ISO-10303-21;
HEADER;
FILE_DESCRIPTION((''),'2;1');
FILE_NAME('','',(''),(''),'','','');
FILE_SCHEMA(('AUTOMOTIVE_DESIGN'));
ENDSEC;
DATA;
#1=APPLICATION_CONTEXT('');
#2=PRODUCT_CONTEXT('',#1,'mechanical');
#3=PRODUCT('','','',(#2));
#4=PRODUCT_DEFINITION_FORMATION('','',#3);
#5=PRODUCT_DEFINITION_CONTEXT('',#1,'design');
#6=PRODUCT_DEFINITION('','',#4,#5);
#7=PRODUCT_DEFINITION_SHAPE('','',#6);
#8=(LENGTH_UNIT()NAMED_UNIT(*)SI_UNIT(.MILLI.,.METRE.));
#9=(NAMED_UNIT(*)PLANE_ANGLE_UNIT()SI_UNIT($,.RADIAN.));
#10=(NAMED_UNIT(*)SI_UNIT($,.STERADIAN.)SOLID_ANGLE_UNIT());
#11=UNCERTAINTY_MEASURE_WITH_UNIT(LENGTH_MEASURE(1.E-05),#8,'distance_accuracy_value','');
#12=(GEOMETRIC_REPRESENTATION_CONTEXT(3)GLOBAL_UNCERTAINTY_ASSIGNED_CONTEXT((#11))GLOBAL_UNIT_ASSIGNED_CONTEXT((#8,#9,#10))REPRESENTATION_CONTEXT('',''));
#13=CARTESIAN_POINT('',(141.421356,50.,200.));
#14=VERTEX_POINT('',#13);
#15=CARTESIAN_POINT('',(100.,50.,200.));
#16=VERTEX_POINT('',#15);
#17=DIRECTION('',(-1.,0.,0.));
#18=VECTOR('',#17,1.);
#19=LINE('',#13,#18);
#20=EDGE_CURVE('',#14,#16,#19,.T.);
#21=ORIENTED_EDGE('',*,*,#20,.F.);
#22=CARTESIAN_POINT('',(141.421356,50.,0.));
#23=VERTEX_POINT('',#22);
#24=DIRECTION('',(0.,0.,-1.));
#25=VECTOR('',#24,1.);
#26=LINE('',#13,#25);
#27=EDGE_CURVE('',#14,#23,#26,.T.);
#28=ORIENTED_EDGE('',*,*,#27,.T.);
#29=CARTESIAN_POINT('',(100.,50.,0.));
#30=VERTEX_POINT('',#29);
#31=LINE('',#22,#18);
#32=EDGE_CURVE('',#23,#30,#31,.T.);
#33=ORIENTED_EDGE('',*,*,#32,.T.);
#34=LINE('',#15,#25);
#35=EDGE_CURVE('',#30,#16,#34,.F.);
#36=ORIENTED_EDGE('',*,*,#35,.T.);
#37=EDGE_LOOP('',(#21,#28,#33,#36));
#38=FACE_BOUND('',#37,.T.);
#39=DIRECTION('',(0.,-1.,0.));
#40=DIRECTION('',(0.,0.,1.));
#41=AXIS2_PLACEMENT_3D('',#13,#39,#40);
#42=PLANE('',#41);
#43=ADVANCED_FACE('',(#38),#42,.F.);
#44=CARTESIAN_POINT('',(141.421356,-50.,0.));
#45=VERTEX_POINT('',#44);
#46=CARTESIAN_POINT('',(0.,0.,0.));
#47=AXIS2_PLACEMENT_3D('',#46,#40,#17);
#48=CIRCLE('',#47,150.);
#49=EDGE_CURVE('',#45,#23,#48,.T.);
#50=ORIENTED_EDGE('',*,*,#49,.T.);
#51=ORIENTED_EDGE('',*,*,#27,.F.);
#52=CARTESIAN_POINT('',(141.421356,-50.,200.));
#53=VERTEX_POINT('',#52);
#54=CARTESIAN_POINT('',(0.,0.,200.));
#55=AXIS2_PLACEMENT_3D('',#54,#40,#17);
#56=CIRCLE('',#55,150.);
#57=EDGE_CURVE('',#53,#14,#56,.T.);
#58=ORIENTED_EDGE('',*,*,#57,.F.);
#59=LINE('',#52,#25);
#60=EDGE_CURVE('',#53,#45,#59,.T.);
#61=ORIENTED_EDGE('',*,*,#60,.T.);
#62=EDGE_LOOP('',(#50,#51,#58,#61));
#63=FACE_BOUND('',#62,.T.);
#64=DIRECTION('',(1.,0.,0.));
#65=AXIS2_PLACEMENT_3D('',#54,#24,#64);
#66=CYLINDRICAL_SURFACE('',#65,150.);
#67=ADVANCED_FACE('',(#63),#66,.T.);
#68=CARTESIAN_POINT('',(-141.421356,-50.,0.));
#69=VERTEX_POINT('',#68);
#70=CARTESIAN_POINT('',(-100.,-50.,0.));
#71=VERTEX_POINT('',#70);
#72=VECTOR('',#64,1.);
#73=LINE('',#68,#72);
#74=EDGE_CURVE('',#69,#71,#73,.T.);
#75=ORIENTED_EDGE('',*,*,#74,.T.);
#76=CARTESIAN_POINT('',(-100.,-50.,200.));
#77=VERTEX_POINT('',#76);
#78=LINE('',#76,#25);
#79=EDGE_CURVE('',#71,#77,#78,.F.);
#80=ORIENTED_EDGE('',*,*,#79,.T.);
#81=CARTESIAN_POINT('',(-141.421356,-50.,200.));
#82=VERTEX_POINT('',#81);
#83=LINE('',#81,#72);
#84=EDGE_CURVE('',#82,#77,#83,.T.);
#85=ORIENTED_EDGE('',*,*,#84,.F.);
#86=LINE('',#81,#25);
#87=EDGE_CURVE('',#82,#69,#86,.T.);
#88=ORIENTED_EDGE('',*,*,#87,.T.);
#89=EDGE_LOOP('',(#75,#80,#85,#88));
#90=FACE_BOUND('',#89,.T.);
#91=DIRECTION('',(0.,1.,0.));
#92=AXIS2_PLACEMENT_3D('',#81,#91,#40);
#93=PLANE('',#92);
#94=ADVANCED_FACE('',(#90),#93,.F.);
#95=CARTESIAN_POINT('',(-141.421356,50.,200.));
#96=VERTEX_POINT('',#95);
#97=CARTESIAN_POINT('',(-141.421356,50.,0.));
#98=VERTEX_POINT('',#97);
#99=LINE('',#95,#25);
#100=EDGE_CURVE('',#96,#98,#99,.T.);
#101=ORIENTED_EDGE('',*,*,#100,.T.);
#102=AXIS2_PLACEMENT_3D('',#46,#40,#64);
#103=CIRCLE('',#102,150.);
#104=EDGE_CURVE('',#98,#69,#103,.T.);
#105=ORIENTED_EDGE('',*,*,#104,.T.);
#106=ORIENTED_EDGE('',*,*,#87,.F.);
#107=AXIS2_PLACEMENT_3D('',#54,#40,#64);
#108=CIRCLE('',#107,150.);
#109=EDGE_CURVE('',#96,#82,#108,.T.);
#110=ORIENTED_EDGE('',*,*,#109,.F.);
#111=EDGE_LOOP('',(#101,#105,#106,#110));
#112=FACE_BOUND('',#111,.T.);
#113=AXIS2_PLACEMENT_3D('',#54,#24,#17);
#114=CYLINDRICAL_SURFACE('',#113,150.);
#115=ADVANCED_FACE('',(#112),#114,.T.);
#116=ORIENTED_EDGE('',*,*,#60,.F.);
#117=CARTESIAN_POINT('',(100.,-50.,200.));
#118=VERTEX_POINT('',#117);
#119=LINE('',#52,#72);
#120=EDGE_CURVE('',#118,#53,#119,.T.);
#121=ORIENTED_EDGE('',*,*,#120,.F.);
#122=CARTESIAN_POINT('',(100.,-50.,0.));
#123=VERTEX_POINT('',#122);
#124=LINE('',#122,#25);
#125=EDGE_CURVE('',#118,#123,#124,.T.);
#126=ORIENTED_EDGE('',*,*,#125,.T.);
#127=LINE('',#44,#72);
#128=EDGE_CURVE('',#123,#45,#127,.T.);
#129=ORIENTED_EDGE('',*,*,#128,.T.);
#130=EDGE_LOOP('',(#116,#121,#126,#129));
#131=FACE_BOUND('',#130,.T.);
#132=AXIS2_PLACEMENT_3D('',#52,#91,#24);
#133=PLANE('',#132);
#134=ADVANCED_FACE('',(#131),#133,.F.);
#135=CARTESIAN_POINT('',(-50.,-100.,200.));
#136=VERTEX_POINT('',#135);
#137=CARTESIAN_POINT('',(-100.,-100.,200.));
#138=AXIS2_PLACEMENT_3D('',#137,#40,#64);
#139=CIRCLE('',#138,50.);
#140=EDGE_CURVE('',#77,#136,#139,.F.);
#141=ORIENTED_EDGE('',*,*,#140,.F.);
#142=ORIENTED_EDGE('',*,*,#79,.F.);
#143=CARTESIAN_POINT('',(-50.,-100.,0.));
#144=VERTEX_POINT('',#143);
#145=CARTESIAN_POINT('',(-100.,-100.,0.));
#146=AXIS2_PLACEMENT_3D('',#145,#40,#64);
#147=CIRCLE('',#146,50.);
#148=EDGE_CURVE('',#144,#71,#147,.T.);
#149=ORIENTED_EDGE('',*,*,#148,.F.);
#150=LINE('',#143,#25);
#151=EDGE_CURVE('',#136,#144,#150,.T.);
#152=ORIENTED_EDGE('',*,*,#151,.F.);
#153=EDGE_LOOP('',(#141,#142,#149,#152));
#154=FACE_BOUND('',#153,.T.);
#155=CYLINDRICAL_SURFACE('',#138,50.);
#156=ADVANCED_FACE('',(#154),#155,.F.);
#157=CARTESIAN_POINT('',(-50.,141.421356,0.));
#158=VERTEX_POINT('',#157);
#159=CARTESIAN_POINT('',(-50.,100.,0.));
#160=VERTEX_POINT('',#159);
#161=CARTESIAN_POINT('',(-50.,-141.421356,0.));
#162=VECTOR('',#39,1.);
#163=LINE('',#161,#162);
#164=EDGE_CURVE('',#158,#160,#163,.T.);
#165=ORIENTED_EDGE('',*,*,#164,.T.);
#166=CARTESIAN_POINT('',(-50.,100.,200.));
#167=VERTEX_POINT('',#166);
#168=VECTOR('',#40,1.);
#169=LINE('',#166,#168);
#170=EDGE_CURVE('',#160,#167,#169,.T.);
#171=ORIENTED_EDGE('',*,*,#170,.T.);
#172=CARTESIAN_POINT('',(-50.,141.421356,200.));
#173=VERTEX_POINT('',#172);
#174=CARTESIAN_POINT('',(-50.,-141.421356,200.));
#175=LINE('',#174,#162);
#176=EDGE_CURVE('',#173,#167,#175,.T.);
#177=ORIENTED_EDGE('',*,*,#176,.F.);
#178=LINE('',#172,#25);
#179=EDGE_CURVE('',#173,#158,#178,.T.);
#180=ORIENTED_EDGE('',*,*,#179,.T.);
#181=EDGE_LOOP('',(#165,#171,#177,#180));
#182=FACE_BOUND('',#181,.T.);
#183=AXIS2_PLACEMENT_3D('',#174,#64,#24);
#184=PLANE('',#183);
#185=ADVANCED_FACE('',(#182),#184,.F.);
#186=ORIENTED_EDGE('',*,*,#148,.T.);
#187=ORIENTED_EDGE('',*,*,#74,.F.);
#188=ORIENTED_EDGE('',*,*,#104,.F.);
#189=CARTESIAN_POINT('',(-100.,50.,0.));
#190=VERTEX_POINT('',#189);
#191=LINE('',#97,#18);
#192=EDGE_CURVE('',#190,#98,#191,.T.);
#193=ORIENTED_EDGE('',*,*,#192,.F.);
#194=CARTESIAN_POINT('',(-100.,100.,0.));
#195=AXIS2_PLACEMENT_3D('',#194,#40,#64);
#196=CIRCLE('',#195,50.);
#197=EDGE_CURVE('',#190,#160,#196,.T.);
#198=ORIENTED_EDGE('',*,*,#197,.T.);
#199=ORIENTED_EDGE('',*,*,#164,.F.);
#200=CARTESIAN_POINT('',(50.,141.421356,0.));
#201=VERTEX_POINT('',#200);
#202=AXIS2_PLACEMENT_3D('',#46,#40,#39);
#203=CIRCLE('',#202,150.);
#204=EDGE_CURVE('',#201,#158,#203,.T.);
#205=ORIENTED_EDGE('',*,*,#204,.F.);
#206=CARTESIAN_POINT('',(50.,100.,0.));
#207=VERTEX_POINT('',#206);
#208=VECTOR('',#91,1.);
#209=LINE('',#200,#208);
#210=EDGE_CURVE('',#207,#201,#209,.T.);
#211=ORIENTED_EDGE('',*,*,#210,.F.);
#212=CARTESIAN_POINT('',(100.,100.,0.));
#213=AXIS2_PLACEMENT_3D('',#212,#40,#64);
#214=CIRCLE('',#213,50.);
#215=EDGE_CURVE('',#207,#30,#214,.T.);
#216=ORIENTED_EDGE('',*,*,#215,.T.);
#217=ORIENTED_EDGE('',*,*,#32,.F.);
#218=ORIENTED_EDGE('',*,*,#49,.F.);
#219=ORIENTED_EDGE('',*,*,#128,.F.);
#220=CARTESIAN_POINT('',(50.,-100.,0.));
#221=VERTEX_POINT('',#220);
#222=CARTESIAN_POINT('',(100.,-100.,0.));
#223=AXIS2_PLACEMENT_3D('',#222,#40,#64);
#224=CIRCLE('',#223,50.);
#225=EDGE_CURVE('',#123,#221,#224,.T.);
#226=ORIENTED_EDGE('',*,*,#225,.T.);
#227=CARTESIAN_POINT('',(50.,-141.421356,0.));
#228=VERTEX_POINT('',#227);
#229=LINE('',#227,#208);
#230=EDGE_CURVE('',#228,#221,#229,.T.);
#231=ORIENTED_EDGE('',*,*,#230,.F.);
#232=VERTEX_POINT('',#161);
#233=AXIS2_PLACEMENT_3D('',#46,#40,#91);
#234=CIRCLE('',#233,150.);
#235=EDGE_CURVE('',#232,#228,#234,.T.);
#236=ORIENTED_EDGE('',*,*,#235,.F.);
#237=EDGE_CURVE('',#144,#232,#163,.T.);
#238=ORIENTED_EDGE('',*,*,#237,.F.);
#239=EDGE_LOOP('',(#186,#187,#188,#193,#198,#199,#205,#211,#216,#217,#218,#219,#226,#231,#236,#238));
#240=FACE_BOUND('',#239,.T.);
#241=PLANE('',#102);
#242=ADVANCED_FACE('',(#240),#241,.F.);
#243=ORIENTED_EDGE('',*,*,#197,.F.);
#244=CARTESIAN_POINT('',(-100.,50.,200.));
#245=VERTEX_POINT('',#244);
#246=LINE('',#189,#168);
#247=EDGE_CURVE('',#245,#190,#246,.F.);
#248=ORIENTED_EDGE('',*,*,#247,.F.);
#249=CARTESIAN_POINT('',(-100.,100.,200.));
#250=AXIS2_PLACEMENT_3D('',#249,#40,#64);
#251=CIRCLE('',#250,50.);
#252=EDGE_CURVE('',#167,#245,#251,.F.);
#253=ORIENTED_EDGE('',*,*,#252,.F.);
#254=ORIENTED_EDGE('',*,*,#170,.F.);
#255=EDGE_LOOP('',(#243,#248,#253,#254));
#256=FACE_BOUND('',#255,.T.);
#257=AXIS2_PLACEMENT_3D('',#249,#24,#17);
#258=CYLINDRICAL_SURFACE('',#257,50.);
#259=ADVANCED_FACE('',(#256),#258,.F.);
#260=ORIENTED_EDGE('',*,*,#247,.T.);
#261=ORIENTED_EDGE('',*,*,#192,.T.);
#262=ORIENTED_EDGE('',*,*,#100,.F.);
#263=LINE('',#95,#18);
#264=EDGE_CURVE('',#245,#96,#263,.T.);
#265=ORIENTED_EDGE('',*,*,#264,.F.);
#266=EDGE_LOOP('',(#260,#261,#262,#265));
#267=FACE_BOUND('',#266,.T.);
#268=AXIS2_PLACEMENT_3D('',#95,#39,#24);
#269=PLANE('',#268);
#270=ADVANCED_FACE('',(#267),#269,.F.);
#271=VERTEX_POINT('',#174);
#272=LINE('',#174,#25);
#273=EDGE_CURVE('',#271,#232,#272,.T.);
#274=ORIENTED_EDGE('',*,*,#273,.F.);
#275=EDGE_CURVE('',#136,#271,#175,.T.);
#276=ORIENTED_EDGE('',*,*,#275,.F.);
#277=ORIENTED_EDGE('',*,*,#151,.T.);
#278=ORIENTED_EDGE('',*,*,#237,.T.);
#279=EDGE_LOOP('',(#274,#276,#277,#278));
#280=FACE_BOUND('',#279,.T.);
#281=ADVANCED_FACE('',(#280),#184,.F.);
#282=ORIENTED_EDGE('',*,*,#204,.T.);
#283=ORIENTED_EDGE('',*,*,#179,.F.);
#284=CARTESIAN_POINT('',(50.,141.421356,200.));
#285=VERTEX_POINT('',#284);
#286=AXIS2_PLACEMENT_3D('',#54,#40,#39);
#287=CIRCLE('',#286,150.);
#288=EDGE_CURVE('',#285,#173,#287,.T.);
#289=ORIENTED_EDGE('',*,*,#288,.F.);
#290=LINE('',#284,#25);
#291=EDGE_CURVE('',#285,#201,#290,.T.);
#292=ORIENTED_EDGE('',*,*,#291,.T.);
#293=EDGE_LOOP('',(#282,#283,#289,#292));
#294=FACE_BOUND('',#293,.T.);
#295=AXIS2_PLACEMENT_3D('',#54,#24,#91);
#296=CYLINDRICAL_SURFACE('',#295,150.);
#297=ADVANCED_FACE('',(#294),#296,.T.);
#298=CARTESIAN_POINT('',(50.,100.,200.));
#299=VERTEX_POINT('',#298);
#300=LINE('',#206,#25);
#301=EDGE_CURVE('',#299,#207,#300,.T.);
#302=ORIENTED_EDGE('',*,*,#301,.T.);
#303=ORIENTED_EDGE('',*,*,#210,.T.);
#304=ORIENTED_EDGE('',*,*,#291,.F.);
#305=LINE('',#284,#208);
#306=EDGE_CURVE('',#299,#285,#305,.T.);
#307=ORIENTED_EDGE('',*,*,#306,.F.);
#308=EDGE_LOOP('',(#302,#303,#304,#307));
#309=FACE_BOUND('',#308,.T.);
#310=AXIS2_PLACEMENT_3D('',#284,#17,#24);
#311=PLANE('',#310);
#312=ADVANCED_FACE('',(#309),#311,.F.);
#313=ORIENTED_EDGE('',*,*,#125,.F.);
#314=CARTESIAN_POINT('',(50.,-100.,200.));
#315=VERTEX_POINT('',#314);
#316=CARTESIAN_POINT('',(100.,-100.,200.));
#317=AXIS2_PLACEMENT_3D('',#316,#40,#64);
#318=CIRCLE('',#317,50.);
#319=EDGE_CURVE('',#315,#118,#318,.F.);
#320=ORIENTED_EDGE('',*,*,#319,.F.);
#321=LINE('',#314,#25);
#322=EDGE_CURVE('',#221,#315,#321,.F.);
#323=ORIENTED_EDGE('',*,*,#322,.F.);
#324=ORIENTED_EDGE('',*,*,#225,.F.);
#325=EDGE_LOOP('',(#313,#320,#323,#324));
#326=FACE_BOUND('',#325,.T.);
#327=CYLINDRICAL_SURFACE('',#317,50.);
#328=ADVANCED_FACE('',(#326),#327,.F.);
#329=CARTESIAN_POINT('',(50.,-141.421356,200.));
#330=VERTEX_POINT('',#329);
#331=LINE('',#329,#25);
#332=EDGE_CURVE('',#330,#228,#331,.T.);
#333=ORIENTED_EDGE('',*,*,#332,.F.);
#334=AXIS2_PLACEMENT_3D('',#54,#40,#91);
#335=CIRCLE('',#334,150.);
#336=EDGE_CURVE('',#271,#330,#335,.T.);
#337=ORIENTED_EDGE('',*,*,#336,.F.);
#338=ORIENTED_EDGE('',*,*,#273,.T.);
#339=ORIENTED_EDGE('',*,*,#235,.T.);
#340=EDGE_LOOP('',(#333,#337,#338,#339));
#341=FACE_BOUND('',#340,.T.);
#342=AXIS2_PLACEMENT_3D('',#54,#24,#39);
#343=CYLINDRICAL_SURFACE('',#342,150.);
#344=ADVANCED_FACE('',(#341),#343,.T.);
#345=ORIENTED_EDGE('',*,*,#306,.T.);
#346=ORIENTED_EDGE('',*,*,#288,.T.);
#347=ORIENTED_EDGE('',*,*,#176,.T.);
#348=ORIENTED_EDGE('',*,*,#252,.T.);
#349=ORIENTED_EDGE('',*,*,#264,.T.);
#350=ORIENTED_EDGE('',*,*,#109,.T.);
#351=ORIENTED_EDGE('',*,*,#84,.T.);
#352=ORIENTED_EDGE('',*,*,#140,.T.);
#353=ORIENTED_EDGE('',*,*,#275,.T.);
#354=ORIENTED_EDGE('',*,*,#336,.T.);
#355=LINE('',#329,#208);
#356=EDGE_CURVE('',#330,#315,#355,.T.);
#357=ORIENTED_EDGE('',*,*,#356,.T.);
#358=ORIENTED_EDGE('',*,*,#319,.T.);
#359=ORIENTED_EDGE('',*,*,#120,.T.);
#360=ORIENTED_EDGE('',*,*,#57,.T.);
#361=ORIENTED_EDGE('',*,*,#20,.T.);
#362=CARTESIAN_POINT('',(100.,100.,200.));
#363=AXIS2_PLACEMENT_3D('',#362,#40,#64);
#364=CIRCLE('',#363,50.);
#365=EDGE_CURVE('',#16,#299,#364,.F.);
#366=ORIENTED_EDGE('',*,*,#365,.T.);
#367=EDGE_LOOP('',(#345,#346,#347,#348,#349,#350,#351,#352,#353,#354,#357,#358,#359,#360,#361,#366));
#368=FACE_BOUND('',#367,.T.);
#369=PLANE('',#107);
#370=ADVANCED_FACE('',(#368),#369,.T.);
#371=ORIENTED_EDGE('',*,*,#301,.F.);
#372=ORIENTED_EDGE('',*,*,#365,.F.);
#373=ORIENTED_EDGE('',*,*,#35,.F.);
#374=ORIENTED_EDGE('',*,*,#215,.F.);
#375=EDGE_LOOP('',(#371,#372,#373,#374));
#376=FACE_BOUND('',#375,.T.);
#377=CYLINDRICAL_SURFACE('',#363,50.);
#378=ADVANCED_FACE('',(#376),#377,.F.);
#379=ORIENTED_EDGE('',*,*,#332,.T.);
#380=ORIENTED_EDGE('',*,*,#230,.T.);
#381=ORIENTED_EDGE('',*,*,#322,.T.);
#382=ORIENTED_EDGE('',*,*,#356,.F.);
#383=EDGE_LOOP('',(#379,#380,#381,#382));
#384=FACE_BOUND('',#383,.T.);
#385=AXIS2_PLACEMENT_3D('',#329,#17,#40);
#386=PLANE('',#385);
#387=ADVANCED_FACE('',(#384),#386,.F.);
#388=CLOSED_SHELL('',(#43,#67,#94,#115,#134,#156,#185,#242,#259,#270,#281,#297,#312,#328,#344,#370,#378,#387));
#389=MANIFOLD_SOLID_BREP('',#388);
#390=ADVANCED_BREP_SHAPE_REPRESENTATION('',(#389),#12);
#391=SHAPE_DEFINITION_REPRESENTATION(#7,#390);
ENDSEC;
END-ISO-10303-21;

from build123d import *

# Parameters (mm, degrees)
BOSS_EXTRUDE1_DEPTH = 200
CIRPATTERN1_COUNT   = 4
FILLET1_R           = 50


with BuildPart() as part:
    # Sketch1 → Boss-Extrude1 (new body)
    with BuildSketch(Plane(origin=(0, 0, 0), x_dir=(0, 1, 0), z_dir=(0, 0, 1))):
        with BuildLine():
            Line((-50, 141.421356237), (-50, 0))
            Line((-50, 0), (50, 0))
            Line((50, 0), (50, 141.421356237))
            ThreePointArc((50, 141.421356237), (0, 150), (-50, 141.421356237))
        make_face()
    extrude(amount=BOSS_EXTRUDE1_DEPTH)


with BuildPart() as cirpattern1_1:
    # CirPattern1: pattern copy
    add(part.part.rotate(Axis((0, 0, -10), (0, 0, 1)), 1 * 360 / CIRPATTERN1_COUNT))


with BuildPart() as cirpattern1_2:
    # CirPattern1: pattern copy
    add(part.part.rotate(Axis((0, 0, -10), (0, 0, 1)), 2 * 360 / CIRPATTERN1_COUNT))


with BuildPart() as cirpattern1_3:
    # CirPattern1: pattern copy
    add(part.part.rotate(Axis((0, 0, -10), (0, 0, 1)), 3 * 360 / CIRPATTERN1_COUNT))


with BuildPart() as part_1:
    add(part.part)

    # Combine1: union CirPattern1_1, CirPattern1_2, CirPattern1_3
    add(cirpattern1_1.part)
    add(cirpattern1_2.part)
    add(cirpattern1_3.part)

    # Fillet1
    fillet1_edges = [part_1.edges().sort_by_distance(p)[0] for p in [
        (50, 50, 100),
        (50, -50, 100),
        (-50, 50, 100),
        (-50, -50, 100),
    ]]
    fillet(fillet1_edges, radius=FILLET1_R)


solid = part_1.part
